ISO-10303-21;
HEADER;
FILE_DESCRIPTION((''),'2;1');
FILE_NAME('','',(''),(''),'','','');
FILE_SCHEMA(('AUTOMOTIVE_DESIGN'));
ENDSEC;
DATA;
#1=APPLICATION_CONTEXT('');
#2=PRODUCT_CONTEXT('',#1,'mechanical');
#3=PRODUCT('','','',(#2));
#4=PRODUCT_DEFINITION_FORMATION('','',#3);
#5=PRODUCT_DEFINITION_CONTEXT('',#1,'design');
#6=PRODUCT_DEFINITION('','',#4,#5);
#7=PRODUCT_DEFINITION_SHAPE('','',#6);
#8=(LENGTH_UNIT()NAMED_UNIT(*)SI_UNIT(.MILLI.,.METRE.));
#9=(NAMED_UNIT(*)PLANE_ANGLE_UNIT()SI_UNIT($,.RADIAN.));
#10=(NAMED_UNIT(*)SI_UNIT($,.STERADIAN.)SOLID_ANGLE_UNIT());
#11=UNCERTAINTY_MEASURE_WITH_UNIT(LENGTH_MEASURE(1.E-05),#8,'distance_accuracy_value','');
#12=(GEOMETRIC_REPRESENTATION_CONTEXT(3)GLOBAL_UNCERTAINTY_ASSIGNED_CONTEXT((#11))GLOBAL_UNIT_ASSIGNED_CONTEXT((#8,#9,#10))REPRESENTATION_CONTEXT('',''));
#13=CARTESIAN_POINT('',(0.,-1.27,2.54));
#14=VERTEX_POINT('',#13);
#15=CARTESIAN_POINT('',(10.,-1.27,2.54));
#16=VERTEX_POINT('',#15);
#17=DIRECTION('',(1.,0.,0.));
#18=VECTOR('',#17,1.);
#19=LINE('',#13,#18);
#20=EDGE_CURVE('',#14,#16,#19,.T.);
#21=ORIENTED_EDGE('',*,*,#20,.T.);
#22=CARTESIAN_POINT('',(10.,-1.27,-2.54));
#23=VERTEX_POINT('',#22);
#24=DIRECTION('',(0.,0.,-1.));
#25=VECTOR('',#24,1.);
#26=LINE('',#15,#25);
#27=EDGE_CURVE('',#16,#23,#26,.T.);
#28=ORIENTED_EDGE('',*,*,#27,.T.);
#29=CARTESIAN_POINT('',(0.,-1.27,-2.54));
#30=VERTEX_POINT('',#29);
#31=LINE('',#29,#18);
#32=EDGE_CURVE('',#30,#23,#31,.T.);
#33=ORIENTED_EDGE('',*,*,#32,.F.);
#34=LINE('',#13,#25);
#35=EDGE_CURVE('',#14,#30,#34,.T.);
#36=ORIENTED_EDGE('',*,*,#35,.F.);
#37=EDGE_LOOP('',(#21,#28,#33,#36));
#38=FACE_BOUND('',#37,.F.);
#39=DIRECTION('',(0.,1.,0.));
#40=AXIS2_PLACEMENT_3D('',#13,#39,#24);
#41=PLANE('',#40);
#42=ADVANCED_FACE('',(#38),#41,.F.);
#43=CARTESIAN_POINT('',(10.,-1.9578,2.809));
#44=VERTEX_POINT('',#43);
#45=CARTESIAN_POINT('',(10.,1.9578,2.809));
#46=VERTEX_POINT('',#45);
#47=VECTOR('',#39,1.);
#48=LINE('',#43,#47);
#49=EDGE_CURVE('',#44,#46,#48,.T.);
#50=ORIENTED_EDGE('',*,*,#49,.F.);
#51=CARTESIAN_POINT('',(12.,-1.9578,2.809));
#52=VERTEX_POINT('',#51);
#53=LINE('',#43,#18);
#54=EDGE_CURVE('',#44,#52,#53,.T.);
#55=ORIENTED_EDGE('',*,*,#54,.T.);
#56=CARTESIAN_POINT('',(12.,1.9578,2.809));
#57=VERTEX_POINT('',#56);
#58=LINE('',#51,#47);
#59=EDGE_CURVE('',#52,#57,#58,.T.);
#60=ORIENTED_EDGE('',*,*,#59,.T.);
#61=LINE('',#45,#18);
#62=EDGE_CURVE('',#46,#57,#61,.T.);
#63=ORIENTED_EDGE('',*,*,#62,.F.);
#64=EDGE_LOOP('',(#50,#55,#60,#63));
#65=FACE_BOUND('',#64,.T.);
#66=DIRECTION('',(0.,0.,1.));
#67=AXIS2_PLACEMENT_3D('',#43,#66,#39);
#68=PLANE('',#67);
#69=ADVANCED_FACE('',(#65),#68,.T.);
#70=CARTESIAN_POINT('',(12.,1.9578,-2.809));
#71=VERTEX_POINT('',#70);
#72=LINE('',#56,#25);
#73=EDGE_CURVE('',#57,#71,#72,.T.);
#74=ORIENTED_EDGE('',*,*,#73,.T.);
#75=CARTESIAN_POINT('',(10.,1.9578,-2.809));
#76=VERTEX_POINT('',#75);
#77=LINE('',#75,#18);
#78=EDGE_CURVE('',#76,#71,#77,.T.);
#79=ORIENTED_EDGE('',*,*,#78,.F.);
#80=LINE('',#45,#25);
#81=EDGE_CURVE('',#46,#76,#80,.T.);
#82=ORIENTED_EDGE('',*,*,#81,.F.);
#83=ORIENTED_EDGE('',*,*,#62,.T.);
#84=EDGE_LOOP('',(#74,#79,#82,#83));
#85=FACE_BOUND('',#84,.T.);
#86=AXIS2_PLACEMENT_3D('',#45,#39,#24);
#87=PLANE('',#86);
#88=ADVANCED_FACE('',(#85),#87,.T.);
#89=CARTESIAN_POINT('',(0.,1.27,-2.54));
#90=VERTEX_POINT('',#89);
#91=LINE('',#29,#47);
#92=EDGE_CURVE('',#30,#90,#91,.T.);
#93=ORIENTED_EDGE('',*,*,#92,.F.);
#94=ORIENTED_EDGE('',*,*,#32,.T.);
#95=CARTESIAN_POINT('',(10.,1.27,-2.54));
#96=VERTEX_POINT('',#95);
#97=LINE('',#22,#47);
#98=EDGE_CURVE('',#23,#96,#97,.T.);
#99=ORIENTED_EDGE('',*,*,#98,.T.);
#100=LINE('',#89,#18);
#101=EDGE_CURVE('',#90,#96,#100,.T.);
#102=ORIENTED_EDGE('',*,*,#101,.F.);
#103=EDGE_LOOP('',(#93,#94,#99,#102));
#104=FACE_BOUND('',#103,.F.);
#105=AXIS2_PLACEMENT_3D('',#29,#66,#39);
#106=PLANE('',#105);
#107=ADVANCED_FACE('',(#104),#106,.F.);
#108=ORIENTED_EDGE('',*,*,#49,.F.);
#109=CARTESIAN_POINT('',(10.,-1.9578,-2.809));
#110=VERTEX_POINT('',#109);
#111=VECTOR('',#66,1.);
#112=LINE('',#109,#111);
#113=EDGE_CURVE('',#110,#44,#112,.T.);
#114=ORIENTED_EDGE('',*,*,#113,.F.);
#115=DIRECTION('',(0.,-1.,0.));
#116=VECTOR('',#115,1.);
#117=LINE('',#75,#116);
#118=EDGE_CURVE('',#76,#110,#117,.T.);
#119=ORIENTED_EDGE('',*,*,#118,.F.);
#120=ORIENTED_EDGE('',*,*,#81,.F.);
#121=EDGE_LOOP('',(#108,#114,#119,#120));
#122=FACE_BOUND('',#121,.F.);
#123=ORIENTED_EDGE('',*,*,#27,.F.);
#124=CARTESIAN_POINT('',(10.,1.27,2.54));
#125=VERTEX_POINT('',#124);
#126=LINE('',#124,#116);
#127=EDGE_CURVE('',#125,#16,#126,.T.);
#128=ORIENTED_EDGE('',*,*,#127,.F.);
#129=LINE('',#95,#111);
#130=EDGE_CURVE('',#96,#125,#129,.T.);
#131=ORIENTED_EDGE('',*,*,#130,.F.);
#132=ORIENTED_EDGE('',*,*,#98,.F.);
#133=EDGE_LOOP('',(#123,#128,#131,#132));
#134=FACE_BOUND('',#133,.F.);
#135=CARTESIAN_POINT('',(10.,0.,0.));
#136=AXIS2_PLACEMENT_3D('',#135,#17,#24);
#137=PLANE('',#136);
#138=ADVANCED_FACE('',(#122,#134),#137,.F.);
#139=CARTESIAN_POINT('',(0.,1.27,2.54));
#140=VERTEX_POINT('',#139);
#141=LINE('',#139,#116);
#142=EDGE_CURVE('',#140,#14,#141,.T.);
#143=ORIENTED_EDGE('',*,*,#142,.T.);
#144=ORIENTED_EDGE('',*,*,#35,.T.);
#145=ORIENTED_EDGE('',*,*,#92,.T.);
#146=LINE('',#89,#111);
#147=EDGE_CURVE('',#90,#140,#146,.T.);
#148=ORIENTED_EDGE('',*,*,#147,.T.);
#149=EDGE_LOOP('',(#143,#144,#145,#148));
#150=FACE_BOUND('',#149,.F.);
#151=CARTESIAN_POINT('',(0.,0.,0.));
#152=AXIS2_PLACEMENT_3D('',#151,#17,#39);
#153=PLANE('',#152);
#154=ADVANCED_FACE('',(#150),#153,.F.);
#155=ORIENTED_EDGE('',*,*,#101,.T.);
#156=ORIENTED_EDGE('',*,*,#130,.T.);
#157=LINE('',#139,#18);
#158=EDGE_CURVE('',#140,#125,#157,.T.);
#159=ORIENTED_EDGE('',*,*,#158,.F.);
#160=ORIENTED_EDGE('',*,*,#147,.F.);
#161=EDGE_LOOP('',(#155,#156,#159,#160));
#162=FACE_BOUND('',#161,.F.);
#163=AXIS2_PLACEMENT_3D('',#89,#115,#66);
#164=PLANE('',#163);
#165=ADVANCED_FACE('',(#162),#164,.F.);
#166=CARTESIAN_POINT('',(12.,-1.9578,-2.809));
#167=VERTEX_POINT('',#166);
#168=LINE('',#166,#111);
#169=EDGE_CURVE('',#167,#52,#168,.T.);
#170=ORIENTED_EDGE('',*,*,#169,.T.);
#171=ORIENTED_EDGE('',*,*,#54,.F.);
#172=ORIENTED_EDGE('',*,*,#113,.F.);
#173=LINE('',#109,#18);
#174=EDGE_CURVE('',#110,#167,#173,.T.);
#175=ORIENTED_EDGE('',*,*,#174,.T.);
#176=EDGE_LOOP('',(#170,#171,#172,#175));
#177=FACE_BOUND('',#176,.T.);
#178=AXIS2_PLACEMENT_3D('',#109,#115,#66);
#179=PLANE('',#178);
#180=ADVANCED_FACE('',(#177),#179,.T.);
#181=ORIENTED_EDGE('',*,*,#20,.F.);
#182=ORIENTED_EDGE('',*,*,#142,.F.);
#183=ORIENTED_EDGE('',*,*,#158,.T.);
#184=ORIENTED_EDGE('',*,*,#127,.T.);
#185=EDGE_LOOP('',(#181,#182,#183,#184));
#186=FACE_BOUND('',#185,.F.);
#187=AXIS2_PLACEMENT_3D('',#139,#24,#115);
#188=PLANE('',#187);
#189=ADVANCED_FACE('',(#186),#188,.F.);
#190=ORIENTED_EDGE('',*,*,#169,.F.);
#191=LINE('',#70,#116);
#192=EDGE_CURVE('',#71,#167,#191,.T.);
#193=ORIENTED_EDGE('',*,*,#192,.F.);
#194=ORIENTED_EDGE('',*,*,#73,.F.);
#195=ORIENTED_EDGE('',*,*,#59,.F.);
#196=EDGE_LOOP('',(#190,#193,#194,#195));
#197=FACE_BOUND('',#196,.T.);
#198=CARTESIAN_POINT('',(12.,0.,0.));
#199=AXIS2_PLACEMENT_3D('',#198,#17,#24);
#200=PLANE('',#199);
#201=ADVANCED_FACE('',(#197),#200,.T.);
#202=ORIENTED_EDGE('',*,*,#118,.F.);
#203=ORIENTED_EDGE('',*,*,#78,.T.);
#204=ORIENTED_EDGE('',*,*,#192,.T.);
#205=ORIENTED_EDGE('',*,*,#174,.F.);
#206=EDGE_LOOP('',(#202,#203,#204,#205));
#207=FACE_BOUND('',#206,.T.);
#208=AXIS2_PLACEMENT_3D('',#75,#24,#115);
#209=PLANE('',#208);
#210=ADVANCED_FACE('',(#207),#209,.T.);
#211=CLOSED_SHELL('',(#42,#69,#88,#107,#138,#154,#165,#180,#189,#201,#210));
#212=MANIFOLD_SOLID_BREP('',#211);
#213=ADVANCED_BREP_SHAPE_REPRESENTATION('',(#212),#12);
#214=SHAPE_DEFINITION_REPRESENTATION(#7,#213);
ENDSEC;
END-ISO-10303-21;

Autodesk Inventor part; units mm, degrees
ref_plane "YZ Plane" through (0, 0, 0) normal (1, 0, 0) x (0, 1, 0)
ref_plane "XZ Plane" through (0, 0, 0) normal (0, 1, 0) x (-1, 0, 0)
ref_plane "XY Plane" through (0, 0, 0) normal (0, 0, 1) x (1, 0, 0)
sketch "Sketch1" plane through (0, 0, 0) normal (1, 0, 0) x (0, 1, 0)
  line L0 (-1.27, -2.54) -> (1.27, -2.54)
  line L1 (1.27, -2.54) -> (1.27, 2.54)
  line L2 (1.27, 2.54) -> (-1.27, 2.54)
  line L3 (-1.27, 2.54) -> (-1.27, -2.54)
  line L4 (-1.27, -2.54) -> (1.27, 2.54) construction
  line L5 (1.27, -2.54) -> (-1.27, 2.54) construction
  point P0 (0, 0)
  dimension "d2" = 2.54
  dimension "d3" = 5.08
extrude "Extrusion1" add sketch "Sketch1" along normal blind 10
sketch "Sketch3" plane through (10, 0, 0) normal (1, 0, 0) x (0, 0, -1)
  line L0 (-2.809, 1.9578) -> (2.809, 1.9578)
  line L1 (2.809, 1.9578) -> (2.809, -1.9578)
  line L2 (2.809, -1.9578) -> (-2.809, -1.9578)
  line L3 (-2.809, -1.9578) -> (-2.809, 1.9578)
  line L4 (-2.809, 1.9578) -> (2.809, -1.9578) construction
  line L5 (2.809, 1.9578) -> (-2.809, -1.9578) construction
  point P0 (0, 0)
extrude "Extrusion2" add sketch "Sketch3" along normal blind 2
properties part number "Resistant"
